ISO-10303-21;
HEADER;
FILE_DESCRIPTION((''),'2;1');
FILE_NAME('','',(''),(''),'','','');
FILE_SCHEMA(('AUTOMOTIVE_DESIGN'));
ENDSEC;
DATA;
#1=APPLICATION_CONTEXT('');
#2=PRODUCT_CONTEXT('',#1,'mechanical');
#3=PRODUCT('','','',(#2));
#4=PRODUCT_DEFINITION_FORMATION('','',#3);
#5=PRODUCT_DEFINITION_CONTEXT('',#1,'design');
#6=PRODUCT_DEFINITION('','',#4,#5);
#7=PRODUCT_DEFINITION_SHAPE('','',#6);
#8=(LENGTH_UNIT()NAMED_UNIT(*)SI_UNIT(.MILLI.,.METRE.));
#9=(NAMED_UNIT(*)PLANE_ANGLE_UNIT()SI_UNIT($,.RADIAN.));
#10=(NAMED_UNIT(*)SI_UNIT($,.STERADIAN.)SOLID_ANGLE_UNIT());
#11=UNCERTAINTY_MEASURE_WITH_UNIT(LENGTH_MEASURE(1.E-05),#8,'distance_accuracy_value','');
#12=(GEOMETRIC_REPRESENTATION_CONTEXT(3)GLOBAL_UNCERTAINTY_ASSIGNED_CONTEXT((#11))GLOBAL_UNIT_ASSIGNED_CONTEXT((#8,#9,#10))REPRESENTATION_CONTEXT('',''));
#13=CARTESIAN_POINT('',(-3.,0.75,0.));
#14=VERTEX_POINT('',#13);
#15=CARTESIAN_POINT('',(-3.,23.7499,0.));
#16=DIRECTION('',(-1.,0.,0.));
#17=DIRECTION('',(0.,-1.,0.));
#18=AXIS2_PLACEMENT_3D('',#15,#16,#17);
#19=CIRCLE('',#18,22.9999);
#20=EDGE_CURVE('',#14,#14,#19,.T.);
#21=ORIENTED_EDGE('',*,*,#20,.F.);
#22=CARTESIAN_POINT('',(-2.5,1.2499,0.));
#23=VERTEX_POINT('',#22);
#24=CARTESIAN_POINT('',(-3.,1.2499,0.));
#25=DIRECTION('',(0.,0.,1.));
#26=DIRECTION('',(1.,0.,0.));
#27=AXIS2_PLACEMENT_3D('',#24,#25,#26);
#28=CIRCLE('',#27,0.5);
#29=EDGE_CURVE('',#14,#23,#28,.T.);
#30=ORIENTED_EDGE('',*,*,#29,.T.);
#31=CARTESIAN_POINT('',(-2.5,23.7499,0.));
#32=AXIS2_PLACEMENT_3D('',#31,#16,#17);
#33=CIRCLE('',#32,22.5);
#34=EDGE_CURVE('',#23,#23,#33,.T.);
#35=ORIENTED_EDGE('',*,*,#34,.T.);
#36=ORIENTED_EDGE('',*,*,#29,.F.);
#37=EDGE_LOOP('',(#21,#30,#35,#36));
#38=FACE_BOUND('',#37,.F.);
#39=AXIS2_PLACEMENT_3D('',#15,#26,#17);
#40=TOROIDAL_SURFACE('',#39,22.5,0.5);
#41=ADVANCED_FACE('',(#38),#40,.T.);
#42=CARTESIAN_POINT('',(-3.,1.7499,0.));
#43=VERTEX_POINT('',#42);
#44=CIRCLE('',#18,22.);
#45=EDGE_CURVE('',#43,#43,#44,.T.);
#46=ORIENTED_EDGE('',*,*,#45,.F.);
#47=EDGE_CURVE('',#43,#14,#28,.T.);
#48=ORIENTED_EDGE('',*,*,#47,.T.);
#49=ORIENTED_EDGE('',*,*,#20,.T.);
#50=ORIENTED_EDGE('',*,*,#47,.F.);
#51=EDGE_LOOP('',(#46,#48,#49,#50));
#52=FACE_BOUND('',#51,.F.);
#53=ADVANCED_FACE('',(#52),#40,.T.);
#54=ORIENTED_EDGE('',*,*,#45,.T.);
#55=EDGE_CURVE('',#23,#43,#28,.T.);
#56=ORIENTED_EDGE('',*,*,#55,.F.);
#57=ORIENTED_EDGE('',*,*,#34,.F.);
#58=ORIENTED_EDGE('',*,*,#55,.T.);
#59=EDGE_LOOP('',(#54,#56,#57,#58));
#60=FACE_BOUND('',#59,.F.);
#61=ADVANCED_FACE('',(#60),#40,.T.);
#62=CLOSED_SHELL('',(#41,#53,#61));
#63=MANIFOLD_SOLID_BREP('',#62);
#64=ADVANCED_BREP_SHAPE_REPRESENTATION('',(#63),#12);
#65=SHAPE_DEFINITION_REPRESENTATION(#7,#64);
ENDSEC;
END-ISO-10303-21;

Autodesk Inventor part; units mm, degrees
ref_plane "YZ Plane" through (0, 0, 0) normal (1, 0, 0) x (0, 1, 0)
ref_plane "XZ Plane" through (0, 0, 0) normal (0, 1, 0) x (-1, 0, 0)
ref_plane "XY Plane" through (0, 0, 0) normal (0, 0, 1) x (1, 0, 0)
ref_plane "РабПлоскость1" through (-3, 0, 0) normal (0, 0, 1) x (1, 0, 0)
sketch "Эскиз1" plane through (-3, 0, 0) normal (0, 0, 1) x (1, 0, 0)
  line L0 (0.75, 46.2499) -> (0.75, 1.2499)
  line L1 (0.75, 1.2499) -> (0, 1.2499)
  line L2 (0, 0.75) -> (0, 0.1136)
  line L3 (0, 0.75) -> (0, 2.3824)
  circle A0 centre (0, 1.2499) radius 0.5
  line L4 (31.8636, 21.7045) -> (-30.4999, 21.7045)
  line L5 (35.0499, 23.7499) -> (-33.5499, 23.7499)
  point P0 (3, 0)
  dimension "d0" = 1
revolve "Вращение1" add sketch "Эскиз1" angle 360 about axis through (32.0499, 23.7499, 0) along (-1, 0, 0)
properties part number "wheel_ring"
